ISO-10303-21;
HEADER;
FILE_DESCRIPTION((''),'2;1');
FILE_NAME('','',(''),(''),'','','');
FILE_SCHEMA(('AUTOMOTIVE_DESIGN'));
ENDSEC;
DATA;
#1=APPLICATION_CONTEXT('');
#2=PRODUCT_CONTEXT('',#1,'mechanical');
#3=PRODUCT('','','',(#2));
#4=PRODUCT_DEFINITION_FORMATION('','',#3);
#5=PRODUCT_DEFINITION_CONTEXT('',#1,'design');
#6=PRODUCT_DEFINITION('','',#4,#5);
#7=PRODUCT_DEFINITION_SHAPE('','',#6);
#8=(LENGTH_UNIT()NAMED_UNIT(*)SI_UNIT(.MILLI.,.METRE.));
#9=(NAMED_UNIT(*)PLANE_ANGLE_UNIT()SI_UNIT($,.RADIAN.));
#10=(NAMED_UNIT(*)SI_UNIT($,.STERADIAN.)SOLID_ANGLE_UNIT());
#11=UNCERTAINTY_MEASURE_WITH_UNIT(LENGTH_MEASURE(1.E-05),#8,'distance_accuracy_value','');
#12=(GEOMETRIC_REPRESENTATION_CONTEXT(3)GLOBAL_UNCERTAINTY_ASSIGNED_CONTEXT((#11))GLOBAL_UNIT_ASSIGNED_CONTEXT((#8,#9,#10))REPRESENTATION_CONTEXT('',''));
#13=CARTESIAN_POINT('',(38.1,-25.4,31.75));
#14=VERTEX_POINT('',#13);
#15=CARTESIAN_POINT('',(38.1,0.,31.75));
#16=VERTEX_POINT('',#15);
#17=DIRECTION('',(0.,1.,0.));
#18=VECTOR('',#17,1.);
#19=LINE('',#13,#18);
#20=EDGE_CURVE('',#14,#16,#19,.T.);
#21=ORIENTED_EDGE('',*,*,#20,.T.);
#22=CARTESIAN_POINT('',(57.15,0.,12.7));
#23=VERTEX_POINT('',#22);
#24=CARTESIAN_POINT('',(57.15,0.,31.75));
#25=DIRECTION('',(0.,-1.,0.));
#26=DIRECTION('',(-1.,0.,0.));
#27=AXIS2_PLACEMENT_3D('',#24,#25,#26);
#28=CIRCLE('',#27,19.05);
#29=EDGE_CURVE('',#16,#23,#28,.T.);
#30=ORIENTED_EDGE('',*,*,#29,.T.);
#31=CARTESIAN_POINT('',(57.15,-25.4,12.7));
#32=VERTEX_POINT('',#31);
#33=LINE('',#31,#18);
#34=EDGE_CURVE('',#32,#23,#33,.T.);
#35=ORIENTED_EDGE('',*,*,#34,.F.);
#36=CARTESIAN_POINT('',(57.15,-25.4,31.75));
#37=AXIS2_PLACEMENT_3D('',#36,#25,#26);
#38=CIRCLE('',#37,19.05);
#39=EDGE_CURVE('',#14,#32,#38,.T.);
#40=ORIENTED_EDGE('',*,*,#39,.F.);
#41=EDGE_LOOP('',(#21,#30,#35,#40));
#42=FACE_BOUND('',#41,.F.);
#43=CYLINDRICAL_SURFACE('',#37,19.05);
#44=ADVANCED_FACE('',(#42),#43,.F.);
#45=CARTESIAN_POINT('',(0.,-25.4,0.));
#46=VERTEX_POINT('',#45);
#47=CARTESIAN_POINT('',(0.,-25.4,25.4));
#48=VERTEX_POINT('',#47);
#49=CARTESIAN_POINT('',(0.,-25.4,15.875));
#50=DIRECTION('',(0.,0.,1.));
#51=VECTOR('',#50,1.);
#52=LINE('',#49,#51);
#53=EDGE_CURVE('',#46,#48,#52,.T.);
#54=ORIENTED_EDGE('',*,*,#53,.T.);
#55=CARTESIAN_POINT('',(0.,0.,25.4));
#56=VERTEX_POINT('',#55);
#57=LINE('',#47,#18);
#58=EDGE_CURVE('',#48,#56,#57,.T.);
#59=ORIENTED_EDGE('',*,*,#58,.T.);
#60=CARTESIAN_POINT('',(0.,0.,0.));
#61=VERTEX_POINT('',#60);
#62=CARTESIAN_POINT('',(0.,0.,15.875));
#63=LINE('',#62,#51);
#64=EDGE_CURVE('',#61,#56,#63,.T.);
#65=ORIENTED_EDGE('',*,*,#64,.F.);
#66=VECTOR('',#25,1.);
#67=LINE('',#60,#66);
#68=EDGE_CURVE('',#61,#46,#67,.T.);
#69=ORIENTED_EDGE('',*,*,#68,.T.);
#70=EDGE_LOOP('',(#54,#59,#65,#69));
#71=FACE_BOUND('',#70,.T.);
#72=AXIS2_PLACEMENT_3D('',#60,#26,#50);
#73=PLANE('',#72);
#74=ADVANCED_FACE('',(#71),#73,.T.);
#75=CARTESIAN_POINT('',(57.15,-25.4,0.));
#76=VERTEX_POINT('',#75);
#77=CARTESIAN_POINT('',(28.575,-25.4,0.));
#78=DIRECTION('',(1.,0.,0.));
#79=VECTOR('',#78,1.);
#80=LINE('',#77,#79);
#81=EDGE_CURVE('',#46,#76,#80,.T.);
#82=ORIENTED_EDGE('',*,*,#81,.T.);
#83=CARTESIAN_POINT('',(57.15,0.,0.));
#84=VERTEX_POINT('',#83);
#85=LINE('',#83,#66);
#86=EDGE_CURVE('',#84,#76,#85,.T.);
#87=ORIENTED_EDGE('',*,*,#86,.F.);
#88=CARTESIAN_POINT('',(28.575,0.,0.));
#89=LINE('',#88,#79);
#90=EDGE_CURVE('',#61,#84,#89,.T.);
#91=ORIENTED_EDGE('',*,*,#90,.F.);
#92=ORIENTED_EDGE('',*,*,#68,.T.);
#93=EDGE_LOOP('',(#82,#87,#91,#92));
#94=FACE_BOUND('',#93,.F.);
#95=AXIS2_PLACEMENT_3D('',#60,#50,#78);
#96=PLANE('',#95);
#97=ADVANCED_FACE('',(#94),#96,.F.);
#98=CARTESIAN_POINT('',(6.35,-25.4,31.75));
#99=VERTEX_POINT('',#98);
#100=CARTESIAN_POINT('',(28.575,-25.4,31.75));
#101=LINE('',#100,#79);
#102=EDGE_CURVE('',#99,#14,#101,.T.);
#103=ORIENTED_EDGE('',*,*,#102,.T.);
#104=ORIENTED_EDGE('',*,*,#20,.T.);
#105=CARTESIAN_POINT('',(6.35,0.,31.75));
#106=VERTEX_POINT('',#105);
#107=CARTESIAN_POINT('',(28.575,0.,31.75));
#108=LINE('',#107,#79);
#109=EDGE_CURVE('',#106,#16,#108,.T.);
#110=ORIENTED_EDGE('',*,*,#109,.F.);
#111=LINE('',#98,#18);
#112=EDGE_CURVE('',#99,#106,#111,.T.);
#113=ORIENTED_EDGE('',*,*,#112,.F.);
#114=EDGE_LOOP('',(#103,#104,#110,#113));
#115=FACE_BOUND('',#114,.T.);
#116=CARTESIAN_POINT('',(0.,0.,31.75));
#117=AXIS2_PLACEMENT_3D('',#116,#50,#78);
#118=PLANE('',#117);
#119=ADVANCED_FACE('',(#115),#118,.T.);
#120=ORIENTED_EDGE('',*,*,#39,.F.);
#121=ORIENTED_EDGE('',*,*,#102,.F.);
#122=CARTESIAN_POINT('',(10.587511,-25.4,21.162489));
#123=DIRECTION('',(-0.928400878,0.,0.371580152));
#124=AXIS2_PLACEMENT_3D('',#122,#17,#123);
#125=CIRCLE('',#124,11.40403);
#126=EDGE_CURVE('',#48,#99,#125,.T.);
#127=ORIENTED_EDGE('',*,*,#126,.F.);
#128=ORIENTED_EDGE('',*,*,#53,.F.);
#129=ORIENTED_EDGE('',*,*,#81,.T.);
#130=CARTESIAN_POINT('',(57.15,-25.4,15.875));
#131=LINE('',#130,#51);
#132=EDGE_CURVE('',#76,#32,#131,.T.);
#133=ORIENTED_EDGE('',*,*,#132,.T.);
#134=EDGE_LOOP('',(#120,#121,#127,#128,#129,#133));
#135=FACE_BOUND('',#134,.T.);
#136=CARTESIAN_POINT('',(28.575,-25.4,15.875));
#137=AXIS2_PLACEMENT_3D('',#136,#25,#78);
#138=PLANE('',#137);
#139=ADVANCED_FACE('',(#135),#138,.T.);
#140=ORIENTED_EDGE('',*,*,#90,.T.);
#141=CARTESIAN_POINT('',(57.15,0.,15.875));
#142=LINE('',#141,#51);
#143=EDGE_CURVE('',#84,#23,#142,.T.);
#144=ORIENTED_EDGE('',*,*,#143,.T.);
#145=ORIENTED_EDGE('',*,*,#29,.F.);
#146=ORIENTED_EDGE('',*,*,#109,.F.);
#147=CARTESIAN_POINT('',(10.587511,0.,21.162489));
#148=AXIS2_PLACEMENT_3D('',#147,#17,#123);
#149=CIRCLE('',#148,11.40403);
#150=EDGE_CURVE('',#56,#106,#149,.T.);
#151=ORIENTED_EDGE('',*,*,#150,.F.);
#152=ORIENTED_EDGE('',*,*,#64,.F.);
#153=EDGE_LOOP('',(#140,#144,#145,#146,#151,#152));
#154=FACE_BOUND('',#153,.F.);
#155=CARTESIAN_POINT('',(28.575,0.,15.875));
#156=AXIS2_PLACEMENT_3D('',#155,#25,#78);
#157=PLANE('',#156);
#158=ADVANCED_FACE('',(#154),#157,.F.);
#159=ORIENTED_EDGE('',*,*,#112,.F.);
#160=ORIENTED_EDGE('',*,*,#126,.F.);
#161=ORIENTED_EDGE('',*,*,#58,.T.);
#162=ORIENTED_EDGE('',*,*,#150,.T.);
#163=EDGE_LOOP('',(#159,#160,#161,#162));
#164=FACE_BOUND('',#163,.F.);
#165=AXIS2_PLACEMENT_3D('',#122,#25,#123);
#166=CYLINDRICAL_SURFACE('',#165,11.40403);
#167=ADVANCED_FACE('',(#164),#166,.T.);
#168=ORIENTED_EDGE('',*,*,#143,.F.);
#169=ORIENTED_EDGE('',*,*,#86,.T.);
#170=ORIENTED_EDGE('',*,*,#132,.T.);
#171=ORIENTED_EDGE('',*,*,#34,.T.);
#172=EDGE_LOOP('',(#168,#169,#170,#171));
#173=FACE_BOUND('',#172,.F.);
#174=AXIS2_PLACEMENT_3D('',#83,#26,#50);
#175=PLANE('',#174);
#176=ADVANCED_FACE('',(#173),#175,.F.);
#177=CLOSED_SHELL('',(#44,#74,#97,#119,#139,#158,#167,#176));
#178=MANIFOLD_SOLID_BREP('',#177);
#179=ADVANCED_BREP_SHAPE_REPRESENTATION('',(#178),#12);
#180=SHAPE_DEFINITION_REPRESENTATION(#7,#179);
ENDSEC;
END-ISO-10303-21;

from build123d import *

# Parameters (mm, degrees)
F0_W     = 57.15
F0_H     = 31.75
F1_DEPTH = 25.4
F3_DEPTH = 25.4


with BuildPart() as f1:
    # F0 (on Front) → F1 (new body)
    with BuildSketch(Plane.XZ):
        with Locations((28.575, 15.875)):
            Rectangle(F0_W, F0_H)
    extrude(amount=F1_DEPTH)

    # F2 (on face) → F3 (cut)
    with BuildSketch(Plane.XZ.offset(25.4)):
        with BuildLine():
            Line((57.15, 31.75), (38.1, 31.75))
            ThreePointArc((38.1, 31.75), (43.6796158184, 18.2796158184), (57.15, 12.7))
            Line((57.15, 12.7), (57.15, 31.75))
        make_face()
        with BuildLine():
            ThreePointArc((0, 25.4), (2.5236444149, 29.2263555851), (6.35, 31.75))
            Line((6.35, 31.75), (0, 31.75))
            Line((0, 31.75), (0, 25.4))
        make_face()
    extrude(amount=-F3_DEPTH, mode=Mode.SUBTRACT)


solid = f1.part
